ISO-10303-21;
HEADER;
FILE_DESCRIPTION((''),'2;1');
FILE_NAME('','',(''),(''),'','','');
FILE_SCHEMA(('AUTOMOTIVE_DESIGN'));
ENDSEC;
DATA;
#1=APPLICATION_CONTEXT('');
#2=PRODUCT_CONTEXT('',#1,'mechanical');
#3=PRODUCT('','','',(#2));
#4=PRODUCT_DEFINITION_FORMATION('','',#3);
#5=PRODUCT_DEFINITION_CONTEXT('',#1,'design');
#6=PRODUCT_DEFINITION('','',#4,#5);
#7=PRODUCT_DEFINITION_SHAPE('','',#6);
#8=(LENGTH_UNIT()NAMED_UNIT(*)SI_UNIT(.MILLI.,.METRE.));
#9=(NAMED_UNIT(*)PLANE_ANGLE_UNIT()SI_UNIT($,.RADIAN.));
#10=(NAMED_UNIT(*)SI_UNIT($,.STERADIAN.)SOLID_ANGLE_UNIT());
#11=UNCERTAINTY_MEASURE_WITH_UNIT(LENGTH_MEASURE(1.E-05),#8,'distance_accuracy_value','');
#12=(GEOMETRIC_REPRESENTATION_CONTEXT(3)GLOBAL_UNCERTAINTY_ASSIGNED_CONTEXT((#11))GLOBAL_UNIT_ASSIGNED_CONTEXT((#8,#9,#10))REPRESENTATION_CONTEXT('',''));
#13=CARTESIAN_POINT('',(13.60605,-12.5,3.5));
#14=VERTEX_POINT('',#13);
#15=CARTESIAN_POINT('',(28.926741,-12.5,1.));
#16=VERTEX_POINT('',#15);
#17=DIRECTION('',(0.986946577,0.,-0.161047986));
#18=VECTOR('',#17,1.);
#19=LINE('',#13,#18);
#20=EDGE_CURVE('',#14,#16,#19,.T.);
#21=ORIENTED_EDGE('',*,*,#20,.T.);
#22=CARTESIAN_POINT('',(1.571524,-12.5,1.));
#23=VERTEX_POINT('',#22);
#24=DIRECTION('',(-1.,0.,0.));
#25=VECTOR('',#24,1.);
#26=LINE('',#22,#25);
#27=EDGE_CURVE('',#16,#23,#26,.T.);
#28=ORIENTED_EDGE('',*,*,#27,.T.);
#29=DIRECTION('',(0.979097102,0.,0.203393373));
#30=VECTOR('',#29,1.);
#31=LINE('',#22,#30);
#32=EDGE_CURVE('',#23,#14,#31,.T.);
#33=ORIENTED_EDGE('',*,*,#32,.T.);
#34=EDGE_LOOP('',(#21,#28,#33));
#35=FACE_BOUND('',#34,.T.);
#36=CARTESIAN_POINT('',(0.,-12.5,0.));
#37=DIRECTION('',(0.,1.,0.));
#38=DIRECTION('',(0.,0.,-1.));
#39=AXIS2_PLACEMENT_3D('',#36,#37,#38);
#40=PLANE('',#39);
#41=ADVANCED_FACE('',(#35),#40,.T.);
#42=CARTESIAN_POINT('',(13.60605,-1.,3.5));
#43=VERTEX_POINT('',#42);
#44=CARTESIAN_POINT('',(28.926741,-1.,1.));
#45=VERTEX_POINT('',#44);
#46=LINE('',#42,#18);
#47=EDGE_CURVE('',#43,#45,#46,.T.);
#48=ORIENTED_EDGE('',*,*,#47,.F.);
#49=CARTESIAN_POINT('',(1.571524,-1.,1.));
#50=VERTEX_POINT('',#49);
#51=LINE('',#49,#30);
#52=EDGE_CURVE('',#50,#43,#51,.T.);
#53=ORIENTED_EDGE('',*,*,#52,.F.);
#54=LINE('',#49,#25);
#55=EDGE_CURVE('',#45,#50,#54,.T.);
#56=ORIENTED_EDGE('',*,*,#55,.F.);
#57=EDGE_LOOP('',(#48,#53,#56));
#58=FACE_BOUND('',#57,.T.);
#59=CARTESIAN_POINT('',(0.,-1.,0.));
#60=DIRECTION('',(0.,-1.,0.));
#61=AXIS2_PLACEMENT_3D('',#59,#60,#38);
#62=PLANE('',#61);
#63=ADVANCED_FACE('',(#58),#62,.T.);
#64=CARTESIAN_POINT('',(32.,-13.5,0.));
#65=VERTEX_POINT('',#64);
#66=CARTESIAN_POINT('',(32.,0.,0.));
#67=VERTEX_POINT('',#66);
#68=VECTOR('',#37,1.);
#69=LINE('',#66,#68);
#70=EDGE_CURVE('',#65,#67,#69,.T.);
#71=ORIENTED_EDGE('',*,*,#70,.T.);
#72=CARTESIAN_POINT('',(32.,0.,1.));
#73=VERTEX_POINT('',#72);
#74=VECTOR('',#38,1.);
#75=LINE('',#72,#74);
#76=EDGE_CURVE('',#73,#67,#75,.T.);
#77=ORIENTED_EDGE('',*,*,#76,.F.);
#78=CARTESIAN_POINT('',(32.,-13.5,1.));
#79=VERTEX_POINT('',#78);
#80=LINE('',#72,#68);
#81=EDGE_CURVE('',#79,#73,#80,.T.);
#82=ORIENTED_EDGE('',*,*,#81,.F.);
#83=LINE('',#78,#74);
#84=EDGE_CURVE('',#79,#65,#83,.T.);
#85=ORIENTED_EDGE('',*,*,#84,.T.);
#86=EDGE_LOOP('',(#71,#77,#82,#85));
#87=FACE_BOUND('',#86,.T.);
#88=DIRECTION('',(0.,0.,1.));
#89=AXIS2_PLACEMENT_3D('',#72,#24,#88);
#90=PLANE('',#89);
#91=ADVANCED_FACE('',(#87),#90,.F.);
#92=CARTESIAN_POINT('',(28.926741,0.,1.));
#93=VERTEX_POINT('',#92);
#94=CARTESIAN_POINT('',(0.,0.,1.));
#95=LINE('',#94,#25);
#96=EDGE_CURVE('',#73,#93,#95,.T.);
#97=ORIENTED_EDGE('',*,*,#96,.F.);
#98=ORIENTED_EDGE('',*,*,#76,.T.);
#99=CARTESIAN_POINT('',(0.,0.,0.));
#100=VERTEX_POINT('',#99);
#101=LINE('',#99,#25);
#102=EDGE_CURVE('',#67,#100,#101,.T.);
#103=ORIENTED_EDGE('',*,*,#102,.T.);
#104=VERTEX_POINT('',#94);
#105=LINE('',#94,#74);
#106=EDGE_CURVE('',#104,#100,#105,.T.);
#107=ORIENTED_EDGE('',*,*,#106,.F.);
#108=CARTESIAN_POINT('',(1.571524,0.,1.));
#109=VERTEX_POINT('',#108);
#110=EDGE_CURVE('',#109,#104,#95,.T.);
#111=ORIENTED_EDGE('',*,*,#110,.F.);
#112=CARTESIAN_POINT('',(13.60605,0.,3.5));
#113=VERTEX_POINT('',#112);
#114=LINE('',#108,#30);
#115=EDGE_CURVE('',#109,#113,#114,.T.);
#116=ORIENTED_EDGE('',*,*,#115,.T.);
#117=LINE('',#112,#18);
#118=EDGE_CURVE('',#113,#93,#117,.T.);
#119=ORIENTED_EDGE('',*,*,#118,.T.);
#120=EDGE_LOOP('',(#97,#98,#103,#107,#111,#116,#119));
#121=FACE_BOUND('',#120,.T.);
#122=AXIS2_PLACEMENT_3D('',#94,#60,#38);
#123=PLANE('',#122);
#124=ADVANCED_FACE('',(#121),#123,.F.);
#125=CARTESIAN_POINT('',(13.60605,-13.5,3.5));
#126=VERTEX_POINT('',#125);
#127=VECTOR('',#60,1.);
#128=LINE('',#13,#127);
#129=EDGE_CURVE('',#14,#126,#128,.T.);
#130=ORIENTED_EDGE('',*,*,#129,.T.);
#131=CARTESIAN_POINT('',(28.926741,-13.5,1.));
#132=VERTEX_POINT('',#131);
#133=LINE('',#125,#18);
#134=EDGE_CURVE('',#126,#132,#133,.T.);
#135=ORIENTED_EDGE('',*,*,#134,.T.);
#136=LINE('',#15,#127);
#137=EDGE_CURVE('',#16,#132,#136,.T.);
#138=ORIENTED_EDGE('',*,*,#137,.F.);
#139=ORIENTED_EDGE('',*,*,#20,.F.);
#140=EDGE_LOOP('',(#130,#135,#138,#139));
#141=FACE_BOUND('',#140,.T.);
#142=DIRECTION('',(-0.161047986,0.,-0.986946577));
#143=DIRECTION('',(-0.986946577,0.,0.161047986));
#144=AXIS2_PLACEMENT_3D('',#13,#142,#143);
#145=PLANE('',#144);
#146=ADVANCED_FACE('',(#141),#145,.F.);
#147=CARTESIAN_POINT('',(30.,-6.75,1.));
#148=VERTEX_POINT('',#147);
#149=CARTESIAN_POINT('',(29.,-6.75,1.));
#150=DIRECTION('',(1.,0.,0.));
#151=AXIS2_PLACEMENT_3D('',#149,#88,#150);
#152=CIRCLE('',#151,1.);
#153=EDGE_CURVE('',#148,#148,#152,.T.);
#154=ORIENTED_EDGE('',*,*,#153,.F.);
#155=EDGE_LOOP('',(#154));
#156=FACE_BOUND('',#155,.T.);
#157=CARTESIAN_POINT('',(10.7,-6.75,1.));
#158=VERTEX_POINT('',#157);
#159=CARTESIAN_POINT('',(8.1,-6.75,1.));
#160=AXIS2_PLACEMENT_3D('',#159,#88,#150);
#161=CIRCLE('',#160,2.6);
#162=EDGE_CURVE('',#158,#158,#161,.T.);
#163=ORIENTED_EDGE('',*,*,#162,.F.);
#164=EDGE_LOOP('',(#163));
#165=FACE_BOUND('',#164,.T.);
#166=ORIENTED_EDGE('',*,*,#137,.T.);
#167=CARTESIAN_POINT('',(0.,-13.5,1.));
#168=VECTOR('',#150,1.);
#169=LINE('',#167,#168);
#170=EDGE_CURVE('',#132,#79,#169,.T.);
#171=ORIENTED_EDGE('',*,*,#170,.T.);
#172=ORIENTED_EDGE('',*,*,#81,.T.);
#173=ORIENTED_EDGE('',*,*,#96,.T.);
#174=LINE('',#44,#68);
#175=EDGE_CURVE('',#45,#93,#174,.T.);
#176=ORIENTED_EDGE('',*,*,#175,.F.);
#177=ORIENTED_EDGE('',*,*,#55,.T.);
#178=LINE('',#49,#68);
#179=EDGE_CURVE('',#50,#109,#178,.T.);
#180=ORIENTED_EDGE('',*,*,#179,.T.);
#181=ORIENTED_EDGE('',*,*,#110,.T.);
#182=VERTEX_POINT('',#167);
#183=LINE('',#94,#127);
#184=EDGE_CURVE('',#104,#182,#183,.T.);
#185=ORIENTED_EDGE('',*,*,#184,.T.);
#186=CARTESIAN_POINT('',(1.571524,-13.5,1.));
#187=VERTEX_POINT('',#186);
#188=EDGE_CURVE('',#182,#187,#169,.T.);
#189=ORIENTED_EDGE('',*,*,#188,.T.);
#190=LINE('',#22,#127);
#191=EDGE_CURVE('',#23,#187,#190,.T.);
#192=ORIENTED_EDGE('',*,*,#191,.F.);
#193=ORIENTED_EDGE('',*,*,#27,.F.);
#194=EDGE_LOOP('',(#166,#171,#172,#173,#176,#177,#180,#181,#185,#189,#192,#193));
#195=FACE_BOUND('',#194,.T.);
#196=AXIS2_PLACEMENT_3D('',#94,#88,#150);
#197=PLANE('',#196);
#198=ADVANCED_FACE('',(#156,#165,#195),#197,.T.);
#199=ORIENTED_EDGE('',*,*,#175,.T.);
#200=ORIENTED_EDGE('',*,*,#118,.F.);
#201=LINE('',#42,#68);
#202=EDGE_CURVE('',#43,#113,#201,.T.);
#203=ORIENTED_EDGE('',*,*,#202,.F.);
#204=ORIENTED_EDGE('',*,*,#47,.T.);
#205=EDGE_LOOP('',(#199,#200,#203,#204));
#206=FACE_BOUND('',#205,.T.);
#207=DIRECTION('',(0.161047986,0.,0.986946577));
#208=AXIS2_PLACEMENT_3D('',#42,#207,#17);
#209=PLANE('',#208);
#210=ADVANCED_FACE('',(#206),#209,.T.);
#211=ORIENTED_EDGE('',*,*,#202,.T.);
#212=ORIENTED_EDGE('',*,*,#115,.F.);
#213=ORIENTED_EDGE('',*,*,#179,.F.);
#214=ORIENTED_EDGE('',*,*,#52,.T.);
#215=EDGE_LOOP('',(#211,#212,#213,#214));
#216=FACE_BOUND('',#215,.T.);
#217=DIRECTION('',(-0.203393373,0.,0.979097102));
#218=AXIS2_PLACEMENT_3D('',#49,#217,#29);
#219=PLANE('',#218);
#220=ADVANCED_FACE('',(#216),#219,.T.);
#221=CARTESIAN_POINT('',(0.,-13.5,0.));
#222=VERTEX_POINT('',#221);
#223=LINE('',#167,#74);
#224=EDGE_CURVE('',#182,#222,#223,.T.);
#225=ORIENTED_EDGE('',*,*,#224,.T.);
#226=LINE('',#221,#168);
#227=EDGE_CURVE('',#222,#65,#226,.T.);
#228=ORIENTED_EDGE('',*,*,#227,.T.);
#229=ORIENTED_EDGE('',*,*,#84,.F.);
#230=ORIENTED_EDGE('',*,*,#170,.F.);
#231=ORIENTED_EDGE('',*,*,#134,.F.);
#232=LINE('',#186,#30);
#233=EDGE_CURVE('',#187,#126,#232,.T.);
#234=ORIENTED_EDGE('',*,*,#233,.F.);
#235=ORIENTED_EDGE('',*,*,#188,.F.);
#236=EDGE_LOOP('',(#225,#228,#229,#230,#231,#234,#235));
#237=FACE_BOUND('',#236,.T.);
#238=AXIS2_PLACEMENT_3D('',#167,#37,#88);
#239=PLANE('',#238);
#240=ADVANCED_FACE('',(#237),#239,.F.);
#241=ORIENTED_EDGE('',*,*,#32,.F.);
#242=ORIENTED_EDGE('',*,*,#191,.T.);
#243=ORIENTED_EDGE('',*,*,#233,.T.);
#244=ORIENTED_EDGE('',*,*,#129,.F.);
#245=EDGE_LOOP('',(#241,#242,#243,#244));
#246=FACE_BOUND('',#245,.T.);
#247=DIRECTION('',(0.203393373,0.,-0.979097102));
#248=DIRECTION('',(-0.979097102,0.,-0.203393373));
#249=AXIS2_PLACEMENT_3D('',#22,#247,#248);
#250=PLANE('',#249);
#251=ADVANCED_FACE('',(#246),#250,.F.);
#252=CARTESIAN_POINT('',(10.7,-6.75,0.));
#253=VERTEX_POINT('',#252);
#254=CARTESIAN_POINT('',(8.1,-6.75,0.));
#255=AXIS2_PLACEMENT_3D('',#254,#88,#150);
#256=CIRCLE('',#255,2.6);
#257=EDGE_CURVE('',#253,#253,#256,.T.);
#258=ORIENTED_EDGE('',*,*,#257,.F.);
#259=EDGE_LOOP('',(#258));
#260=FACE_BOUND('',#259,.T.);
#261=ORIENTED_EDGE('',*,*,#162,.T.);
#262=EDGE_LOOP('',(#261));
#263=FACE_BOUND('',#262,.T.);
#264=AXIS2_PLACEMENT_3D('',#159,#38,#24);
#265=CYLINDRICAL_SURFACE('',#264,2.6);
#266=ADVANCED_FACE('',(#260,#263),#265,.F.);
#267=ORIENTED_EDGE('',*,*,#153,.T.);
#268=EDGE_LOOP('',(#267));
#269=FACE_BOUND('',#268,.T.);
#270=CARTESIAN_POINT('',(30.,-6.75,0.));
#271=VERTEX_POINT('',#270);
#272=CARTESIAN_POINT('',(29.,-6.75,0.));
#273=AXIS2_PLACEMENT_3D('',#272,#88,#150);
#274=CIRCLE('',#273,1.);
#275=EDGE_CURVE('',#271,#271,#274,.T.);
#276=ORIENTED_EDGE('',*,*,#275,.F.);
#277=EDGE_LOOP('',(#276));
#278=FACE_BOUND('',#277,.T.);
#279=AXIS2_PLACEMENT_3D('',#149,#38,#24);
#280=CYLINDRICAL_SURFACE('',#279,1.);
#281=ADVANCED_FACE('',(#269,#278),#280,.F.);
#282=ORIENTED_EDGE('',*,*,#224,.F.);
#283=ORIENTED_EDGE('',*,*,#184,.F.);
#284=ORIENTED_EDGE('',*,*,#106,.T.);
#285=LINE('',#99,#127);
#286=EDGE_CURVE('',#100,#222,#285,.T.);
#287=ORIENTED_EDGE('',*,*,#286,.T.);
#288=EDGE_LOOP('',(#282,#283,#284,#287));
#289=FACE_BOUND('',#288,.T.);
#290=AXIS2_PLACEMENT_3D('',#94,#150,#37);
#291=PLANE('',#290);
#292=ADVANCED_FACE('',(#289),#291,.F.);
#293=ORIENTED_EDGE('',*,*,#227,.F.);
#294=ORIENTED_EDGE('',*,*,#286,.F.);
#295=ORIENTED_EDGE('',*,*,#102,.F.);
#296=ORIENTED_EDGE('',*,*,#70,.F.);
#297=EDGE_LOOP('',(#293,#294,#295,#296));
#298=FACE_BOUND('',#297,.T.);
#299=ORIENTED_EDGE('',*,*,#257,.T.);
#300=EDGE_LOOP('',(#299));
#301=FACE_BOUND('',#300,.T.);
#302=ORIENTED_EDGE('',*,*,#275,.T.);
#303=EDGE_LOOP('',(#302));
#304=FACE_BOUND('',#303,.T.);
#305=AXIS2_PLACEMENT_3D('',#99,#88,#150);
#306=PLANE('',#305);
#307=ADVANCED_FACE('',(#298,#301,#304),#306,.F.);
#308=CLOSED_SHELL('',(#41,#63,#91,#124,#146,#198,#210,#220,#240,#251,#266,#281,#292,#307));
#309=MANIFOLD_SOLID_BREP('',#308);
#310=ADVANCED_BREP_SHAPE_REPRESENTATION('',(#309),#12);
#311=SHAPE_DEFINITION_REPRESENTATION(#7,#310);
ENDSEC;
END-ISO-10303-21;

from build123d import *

# Parameters (mm, degrees)
CROQUIS1_W              = 32
CROQUIS1_H              = 13.5
CROQUIS1_R              = 2.6
CROQUIS1_R_2            = 1
SALIENTE_EXTRUIR1_DEPTH = 1
SALIENTE_EXTRUIR2_DEPTH = 1


with BuildPart() as part:
    # Croquis1 → Saliente-Extruir1 (new body)
    with BuildSketch(Plane.XY):
        with Locations((16, -6.75)):
            Rectangle(CROQUIS1_W, CROQUIS1_H)
        with Locations((8.1, -6.75)):
            Circle(CROQUIS1_R, mode=Mode.SUBTRACT)
        with Locations((29, -6.75)):
            Circle(CROQUIS1_R_2, mode=Mode.SUBTRACT)
    extrude(amount=SALIENTE_EXTRUIR1_DEPTH)

    # Croquis2 → Saliente-Extruir2 (add)
    with BuildSketch(Plane(origin=(0, 0, 0), x_dir=(1, 0, 0), z_dir=(0, 1, 0))):
        Polygon((1.571524395, -1), (13.606050016, -3.5), (28.926741078, -1), align=None)
    saliente_extruir2 = extrude(amount=-SALIENTE_EXTRUIR2_DEPTH)

    # Simetría1: Saliente-Extruir2 across plane
    add(saliente_extruir2.mirror(Plane.ZX.offset(-6.75)))


solid = part.part
